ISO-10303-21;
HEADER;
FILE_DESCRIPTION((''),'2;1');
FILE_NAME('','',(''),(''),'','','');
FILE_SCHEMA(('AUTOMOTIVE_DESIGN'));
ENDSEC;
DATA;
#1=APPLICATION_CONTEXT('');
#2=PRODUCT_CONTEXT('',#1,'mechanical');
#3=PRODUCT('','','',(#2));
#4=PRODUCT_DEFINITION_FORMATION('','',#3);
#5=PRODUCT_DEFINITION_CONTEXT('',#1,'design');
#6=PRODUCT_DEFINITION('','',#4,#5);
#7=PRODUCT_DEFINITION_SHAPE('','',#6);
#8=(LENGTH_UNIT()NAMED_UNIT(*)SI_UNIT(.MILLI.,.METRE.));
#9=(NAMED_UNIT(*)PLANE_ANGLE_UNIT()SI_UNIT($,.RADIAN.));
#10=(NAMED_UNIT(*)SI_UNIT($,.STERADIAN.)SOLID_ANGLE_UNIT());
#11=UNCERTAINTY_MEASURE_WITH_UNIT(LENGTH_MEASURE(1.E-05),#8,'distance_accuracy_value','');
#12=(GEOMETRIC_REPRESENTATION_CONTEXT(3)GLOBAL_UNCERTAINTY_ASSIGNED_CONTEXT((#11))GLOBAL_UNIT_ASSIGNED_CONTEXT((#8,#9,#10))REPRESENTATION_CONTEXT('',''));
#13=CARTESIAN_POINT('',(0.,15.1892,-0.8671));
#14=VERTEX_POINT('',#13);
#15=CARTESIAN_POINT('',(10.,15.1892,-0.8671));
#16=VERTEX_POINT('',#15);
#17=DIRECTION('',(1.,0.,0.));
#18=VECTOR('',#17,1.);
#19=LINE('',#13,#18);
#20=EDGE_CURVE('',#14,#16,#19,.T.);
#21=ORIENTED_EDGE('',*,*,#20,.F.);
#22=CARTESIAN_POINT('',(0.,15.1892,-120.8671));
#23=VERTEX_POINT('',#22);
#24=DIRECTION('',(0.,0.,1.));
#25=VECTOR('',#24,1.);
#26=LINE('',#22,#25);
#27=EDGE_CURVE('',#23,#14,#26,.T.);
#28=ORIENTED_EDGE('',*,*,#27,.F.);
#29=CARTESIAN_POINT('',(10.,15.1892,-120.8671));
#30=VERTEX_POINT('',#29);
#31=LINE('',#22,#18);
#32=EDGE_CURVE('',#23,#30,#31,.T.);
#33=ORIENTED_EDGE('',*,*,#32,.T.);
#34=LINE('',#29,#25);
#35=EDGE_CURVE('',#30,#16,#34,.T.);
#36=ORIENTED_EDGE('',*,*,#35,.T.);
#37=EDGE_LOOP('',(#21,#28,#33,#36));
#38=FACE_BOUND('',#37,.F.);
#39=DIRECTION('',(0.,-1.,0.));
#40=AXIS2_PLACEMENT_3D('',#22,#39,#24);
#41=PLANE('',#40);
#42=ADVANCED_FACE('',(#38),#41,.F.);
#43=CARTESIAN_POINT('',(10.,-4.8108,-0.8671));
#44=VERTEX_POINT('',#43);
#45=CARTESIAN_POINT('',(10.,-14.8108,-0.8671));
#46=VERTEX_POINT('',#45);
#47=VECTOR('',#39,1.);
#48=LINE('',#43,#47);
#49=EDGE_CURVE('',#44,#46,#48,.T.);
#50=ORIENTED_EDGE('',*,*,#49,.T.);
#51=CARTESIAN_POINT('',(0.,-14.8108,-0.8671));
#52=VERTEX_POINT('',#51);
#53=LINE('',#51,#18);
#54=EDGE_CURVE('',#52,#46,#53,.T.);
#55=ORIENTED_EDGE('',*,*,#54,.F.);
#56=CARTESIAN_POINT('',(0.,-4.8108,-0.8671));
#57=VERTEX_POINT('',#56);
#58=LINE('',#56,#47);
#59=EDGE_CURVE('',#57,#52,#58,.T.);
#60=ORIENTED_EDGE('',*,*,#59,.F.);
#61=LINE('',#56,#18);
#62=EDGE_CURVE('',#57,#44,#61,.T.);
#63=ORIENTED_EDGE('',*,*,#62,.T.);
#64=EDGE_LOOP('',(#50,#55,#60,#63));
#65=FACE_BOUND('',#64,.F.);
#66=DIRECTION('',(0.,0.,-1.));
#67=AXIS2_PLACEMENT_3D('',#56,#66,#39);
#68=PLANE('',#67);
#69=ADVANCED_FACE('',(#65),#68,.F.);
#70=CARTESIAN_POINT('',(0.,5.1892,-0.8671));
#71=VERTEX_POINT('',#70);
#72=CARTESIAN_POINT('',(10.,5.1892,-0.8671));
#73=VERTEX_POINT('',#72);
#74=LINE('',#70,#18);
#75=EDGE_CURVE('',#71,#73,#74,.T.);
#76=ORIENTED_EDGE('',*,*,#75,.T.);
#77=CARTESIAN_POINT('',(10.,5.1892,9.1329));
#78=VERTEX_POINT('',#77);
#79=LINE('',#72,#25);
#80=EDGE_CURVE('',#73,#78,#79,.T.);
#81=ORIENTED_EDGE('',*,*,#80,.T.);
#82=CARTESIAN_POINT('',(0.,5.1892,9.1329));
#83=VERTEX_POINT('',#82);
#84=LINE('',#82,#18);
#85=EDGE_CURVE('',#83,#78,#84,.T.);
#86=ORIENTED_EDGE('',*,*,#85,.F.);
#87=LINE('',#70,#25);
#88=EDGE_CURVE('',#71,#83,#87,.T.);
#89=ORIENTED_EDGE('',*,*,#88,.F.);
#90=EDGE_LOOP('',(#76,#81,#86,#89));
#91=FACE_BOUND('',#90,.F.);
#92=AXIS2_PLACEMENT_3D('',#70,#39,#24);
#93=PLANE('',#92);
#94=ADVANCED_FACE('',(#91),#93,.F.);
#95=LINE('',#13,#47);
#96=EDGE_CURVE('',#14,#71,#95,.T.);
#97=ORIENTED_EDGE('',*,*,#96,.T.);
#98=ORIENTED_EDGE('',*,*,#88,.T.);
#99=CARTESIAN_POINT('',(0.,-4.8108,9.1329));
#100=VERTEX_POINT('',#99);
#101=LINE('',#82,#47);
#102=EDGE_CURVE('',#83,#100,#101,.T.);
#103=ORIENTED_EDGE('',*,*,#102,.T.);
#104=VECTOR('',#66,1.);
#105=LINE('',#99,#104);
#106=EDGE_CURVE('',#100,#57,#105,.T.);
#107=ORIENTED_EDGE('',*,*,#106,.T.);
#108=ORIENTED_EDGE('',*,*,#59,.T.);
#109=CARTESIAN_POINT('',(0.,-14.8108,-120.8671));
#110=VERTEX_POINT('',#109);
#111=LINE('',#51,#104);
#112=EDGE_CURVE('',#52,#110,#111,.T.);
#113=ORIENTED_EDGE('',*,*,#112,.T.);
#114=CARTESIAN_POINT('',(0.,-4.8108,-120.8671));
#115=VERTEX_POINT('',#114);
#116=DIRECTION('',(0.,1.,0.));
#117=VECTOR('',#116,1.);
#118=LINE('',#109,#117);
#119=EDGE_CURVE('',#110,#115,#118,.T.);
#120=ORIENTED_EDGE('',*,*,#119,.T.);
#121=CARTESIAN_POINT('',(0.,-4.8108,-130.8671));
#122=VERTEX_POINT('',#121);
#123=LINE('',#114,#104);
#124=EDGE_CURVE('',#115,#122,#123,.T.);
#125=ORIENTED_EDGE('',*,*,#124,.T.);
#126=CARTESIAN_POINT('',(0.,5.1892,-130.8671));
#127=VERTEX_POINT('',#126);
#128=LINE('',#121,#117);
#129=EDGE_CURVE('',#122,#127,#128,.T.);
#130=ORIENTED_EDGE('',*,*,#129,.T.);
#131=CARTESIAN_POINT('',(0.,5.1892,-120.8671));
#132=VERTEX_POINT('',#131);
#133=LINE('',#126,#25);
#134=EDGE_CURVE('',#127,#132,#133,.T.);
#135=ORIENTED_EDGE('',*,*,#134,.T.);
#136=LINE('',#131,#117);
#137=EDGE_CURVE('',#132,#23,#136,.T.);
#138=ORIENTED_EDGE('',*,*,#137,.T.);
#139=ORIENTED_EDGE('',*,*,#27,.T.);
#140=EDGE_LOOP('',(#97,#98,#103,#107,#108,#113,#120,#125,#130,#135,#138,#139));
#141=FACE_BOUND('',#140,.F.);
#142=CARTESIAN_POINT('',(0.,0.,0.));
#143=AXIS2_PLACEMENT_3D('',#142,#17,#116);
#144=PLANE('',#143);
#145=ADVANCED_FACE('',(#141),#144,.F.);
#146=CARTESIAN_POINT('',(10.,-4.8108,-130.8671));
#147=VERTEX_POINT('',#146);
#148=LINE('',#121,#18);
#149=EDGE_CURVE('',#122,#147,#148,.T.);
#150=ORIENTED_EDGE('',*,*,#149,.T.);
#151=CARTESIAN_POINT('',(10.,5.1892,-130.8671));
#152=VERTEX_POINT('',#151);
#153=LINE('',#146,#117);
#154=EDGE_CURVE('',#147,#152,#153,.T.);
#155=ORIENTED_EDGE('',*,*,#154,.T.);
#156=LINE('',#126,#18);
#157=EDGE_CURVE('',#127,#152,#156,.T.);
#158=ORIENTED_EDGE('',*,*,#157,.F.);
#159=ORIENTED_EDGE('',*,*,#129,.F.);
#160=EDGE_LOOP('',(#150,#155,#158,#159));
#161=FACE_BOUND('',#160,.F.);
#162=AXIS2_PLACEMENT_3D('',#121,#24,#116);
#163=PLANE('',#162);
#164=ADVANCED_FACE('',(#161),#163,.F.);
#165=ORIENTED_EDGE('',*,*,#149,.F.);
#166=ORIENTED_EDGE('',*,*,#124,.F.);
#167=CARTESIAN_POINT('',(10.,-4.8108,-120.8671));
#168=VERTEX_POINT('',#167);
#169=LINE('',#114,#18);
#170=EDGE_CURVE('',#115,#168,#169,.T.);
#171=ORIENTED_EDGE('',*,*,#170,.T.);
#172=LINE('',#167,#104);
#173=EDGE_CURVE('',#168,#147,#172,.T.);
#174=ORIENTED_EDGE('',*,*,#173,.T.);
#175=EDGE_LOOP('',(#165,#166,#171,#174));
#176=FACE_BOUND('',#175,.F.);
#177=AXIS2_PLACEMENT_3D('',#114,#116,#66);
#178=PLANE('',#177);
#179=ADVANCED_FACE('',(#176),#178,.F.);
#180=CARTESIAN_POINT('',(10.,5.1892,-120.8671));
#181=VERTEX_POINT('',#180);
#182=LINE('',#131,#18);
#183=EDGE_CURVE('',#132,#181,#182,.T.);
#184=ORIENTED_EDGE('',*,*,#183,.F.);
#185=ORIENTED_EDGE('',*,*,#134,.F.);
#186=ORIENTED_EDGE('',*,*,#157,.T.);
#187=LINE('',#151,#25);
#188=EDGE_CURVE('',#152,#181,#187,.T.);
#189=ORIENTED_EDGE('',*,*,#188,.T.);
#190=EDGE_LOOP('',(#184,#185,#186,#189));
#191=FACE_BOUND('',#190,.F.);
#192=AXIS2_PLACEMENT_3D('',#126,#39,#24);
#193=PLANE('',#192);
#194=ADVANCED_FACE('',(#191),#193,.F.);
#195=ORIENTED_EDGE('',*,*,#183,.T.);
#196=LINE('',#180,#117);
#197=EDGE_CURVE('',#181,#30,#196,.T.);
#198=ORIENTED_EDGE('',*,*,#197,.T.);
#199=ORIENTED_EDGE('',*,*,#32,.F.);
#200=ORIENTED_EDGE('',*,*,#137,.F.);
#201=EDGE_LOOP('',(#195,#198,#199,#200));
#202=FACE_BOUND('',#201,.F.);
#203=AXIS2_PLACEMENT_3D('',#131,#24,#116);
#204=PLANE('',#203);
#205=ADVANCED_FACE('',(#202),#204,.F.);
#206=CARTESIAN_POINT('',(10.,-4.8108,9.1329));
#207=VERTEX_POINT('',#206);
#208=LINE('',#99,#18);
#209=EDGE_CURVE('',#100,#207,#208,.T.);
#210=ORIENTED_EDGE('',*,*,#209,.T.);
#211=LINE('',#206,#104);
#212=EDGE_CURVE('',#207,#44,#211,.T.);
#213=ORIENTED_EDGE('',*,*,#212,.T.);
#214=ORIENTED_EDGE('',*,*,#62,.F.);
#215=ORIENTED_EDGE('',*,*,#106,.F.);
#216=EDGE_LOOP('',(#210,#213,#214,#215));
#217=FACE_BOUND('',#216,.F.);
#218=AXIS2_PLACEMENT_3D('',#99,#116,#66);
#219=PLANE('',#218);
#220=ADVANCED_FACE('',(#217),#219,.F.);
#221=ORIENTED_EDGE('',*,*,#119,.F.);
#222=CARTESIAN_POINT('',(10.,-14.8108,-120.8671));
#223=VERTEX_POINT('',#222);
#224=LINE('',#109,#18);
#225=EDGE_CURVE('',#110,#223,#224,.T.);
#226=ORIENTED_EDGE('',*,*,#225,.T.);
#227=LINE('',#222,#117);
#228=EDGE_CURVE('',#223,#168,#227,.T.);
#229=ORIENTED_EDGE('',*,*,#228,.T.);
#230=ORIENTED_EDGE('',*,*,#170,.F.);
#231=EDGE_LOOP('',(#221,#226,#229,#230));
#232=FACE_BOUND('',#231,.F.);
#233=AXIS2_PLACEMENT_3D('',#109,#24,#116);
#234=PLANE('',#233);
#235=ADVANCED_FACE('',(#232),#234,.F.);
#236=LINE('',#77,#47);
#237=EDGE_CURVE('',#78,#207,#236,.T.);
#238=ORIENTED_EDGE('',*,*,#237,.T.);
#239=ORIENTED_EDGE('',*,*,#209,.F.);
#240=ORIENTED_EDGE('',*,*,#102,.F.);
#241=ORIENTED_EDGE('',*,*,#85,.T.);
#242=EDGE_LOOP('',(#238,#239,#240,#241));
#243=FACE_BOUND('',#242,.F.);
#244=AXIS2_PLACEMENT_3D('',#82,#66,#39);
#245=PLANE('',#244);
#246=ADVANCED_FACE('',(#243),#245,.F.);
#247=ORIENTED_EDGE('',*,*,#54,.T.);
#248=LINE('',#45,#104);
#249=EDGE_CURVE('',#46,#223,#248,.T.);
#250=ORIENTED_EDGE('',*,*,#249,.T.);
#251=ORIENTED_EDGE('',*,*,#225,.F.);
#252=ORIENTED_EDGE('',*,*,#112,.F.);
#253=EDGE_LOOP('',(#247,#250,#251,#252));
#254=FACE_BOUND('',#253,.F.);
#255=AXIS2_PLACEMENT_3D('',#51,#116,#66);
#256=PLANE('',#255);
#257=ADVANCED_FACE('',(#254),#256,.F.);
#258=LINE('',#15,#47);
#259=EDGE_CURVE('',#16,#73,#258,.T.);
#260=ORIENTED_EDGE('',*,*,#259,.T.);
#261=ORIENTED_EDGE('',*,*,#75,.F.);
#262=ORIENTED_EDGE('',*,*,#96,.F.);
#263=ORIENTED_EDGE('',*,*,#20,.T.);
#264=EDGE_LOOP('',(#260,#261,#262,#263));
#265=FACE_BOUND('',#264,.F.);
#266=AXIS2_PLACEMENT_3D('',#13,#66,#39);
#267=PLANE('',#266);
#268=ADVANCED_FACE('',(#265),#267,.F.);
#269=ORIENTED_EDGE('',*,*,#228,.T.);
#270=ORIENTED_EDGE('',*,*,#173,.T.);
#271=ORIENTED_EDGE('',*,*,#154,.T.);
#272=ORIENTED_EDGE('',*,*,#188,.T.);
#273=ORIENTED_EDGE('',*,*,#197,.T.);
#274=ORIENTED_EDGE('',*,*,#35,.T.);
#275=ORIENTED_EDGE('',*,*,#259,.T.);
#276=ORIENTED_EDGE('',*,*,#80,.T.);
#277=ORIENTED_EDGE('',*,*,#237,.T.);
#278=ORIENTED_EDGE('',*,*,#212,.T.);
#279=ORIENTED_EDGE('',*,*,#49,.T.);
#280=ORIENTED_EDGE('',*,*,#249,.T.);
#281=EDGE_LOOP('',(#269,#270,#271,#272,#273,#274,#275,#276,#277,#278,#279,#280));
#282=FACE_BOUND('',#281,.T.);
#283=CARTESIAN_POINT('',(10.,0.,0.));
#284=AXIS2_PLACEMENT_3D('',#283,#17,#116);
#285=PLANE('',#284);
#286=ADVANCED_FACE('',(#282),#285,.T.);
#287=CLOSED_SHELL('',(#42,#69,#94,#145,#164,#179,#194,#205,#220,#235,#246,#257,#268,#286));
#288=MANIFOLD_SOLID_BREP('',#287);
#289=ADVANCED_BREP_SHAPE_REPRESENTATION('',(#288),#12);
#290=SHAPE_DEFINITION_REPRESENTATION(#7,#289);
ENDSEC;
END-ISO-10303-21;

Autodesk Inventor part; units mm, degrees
ref_plane "YZ Plane" through (0, 0, 0) normal (1, 0, 0) x (0, 1, 0)
ref_plane "XZ Plane" through (0, 0, 0) normal (0, 1, 0) x (-1, 0, 0)
ref_plane "XY Plane" through (0, 0, 0) normal (0, 0, 1) x (1, 0, 0)
sketch "Skizze4" plane through (0, 0, 0) normal (1, 0, 0) x (0, 1, 0)
  line L0 (-14.8108, -0.8671) -> (-14.8108, -120.8671)
  line L1 (15.1892, -120.8671) -> (15.1892, -0.8671)
  line L2 (5.1892, 9.1329) -> (-4.8108, 9.1329)
  line L3 (-4.8108, 9.1329) -> (-4.8108, -0.8671)
  line L4 (5.1892, -0.8671) -> (5.1892, 9.1329)
  line L5 (-4.8108, -120.8671) -> (-4.8108, -130.8671)
  line L6 (-4.8108, -130.8671) -> (5.1892, -130.8671)
  line L7 (5.1892, -130.8671) -> (5.1892, -120.8671)
  line L8 (15.1892, -0.8671) -> (5.1892, -0.8671)
  line L9 (-4.8108, -0.8671) -> (-14.8108, -0.8671)
  line L10 (-14.8108, -120.8671) -> (-4.8108, -120.8671)
  line L11 (5.1892, -120.8671) -> (15.1892, -120.8671)
  dimension "d8" = 30
  dimension "d9" = 120
  dimension "d10" = 10
  dimension "d11" = 10
  dimension "d12" = 10
  dimension "d13" = 10
  dimension "d16" = 10
  dimension "d17" = 10
extrude "Extrusion3" add sketch "Skizze4" along normal blind 10
properties part number "KabelBoxTest"
